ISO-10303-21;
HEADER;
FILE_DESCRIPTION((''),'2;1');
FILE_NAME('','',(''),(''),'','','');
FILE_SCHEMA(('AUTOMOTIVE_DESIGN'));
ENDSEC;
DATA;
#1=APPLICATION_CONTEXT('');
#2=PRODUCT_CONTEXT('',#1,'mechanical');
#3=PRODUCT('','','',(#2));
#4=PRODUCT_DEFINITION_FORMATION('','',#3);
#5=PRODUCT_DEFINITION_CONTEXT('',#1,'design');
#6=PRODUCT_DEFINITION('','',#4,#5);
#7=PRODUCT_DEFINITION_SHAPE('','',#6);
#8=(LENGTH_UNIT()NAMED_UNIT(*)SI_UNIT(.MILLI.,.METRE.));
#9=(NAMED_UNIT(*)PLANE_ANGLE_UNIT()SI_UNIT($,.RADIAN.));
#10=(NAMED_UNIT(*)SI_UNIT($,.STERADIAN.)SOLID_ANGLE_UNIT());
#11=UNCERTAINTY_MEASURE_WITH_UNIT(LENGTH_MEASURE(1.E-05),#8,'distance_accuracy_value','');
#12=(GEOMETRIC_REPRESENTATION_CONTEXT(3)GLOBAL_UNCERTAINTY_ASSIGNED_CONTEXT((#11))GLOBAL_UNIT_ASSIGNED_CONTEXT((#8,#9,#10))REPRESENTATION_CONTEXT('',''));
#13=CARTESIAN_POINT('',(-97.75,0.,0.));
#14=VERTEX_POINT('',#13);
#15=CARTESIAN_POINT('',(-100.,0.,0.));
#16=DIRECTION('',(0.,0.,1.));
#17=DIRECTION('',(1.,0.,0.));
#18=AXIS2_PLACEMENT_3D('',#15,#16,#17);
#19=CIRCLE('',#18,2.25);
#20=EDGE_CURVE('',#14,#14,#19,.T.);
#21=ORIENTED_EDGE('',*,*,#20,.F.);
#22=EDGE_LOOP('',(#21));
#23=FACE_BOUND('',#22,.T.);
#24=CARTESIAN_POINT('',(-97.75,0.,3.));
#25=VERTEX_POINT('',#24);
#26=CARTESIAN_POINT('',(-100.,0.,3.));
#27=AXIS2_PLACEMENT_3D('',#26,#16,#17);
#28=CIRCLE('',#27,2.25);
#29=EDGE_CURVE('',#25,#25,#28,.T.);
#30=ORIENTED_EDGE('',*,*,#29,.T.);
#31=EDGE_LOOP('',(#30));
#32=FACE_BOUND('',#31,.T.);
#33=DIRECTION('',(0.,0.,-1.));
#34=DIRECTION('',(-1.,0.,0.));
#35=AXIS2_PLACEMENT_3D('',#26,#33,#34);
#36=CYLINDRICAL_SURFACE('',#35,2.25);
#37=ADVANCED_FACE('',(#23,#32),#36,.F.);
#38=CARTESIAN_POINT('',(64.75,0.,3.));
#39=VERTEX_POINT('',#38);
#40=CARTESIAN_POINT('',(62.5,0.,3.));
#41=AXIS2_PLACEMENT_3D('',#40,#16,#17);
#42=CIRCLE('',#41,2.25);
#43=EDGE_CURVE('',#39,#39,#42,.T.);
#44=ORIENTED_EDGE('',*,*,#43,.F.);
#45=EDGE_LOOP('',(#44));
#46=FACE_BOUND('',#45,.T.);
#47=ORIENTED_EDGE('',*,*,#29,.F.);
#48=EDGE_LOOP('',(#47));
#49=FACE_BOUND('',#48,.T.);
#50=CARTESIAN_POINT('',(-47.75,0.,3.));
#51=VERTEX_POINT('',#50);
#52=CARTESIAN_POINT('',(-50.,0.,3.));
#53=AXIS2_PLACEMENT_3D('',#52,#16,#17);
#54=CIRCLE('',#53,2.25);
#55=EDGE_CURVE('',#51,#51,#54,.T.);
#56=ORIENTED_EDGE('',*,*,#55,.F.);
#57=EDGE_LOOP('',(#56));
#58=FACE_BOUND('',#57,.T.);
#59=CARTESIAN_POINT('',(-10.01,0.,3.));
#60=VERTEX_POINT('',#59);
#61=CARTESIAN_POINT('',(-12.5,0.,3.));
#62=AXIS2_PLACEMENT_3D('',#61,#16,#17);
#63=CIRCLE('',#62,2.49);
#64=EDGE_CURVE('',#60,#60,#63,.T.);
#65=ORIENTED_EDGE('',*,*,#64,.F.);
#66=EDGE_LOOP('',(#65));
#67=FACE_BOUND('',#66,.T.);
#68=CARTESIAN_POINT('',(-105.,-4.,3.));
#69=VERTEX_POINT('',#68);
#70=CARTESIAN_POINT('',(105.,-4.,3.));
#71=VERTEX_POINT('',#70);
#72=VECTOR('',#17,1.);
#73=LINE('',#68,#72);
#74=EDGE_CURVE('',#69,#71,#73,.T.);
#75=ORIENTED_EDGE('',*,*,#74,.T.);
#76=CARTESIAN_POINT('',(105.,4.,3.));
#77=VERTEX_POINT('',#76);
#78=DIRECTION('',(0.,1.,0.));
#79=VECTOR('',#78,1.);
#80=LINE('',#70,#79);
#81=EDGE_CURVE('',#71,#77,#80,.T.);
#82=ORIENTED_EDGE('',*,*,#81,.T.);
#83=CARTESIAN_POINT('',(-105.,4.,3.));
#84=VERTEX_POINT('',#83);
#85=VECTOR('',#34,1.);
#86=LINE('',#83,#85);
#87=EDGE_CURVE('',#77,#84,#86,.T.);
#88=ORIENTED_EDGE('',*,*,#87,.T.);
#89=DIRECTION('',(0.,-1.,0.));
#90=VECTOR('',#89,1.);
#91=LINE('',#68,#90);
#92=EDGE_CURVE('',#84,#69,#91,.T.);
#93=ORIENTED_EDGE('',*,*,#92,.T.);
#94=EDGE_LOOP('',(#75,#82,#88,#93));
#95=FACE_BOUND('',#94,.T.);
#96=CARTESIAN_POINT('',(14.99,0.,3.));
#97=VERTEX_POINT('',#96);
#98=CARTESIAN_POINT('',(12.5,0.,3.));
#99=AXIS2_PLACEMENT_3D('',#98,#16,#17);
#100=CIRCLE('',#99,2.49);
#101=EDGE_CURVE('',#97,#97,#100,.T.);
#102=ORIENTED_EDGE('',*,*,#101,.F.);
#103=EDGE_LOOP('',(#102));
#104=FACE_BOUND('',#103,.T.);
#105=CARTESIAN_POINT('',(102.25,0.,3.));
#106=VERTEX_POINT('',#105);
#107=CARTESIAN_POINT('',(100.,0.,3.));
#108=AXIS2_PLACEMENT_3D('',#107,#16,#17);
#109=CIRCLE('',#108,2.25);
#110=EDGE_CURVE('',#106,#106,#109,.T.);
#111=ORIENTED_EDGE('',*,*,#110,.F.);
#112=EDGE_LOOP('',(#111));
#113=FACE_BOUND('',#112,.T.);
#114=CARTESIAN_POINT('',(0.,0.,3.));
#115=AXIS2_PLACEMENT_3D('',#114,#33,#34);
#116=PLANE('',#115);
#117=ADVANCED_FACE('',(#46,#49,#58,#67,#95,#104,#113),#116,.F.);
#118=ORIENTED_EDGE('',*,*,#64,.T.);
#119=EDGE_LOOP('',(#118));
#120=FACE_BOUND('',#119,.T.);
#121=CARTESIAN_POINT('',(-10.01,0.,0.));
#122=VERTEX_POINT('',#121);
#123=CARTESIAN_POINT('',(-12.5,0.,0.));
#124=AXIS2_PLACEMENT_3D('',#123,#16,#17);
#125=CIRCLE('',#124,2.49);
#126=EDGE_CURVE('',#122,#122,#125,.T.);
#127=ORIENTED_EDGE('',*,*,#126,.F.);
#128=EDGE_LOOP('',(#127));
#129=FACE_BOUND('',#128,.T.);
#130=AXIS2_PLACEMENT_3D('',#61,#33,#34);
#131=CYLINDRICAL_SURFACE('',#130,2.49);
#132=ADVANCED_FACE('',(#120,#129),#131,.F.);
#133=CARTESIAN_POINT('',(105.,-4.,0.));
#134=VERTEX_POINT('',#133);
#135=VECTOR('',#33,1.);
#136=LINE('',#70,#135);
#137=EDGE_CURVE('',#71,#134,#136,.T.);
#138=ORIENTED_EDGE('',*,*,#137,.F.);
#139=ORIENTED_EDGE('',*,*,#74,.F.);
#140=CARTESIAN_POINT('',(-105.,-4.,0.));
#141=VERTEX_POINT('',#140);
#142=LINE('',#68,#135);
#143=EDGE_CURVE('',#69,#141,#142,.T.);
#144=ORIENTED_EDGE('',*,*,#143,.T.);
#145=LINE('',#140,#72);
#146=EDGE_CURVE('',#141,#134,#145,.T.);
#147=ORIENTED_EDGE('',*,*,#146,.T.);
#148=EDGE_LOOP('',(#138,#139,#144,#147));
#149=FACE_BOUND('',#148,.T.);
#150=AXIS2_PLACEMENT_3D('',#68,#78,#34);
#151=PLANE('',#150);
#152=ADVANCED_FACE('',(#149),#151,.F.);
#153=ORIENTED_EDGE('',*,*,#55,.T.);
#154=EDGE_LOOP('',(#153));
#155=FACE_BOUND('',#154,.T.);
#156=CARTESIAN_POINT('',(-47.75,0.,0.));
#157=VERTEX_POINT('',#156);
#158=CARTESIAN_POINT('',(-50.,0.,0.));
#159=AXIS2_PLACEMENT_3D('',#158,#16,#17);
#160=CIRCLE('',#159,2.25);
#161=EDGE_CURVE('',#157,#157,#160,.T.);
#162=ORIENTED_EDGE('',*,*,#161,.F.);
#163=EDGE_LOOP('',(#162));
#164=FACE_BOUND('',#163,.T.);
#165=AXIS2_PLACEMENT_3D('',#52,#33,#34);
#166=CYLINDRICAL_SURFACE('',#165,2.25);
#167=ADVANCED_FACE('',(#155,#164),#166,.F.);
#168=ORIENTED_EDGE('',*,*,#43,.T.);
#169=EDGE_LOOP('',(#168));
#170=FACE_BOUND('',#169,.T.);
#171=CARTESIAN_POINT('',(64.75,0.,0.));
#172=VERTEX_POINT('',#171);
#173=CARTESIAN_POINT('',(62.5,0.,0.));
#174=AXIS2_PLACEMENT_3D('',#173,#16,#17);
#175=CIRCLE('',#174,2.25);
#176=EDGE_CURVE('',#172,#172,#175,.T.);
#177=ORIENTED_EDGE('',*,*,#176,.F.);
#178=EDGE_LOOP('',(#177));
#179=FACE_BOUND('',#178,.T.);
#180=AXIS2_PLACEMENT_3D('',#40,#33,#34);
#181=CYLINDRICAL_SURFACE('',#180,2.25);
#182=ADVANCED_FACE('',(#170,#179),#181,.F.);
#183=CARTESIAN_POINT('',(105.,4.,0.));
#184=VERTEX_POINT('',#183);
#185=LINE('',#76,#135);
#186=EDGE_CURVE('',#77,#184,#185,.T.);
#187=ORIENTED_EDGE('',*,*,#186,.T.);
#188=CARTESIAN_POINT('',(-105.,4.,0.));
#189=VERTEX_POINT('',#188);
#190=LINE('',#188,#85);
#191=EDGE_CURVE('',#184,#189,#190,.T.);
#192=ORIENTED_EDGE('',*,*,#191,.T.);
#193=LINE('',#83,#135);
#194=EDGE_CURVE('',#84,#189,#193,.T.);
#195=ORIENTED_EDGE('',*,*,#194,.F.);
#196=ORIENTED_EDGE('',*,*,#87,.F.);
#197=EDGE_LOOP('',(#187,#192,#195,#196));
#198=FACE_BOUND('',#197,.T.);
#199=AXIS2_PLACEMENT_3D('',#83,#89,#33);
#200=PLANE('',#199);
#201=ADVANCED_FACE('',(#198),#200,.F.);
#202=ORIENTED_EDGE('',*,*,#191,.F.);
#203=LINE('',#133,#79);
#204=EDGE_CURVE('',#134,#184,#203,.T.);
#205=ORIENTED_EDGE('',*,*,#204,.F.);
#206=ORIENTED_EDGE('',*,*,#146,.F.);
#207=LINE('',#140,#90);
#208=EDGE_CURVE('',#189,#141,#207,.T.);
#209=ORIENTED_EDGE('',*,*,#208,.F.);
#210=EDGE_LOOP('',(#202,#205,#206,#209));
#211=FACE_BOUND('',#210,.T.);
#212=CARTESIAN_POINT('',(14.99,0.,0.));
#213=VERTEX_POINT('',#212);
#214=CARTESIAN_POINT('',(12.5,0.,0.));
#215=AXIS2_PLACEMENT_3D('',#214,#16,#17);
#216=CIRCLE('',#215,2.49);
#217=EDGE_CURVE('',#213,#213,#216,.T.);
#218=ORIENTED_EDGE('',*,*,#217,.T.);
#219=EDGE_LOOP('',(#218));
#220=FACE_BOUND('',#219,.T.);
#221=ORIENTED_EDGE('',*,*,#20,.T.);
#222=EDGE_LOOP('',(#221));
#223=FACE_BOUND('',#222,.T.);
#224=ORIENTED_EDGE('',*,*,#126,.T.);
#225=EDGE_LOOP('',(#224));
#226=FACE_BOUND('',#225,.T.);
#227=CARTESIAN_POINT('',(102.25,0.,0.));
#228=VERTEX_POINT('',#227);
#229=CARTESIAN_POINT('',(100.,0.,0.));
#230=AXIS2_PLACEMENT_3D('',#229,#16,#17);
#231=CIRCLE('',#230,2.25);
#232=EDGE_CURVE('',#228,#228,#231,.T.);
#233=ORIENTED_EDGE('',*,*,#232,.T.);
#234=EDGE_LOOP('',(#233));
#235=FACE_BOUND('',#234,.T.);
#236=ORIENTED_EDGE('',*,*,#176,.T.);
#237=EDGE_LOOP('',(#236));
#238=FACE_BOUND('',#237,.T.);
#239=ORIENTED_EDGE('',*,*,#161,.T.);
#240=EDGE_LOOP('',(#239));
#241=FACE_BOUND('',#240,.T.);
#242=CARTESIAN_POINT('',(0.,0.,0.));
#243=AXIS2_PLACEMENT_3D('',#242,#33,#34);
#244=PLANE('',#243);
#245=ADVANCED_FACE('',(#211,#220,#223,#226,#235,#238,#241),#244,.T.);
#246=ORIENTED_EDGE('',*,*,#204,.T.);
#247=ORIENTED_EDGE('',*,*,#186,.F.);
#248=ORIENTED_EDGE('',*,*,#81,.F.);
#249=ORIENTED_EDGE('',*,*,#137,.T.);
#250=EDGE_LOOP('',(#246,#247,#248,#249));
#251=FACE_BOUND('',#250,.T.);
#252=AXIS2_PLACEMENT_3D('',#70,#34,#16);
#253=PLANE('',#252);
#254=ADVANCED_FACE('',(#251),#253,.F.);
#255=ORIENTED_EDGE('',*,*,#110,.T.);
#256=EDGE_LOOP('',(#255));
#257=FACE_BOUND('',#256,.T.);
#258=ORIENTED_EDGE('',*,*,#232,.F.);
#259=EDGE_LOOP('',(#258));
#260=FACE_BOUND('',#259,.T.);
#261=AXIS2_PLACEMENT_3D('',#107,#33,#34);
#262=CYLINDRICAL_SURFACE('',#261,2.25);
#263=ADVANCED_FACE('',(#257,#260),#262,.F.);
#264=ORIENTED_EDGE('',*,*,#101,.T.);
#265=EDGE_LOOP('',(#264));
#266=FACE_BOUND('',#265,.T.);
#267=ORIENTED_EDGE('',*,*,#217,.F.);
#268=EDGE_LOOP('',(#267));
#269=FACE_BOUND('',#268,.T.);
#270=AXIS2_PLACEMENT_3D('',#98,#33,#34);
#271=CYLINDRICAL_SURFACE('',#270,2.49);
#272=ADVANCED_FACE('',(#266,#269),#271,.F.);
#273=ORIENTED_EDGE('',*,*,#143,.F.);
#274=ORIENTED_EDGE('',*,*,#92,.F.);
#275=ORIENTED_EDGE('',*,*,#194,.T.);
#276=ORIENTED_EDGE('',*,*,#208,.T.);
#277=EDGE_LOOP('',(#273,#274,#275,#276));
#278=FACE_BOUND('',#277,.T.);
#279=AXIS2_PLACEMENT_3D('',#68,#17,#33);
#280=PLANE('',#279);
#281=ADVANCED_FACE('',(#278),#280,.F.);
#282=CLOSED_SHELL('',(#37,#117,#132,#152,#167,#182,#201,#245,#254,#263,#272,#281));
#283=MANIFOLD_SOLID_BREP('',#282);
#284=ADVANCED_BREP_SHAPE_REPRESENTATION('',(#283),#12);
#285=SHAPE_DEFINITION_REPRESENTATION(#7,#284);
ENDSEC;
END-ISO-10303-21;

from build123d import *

# Parameters (mm, degrees)
SKETCH1_W           = 210
SKETCH1_H           = 8
SKETCH1_R           = 2.49
SKETCH1_R_2         = 2.25
BOSS_EXTRUDE1_DEPTH = 3


with BuildPart() as part:
    # Sketch1 → Boss-Extrude1 (new body)
    with BuildSketch(Plane.XY):
        Rectangle(SKETCH1_W, SKETCH1_H)
        with Locations((-12.5, 0)):
            Circle(SKETCH1_R, mode=Mode.SUBTRACT)
        with Locations((12.5, 0)):
            Circle(SKETCH1_R, mode=Mode.SUBTRACT)
        with Locations((-100, 0)):
            Circle(SKETCH1_R_2, mode=Mode.SUBTRACT)
        with Locations((100, 0)):
            Circle(SKETCH1_R_2, mode=Mode.SUBTRACT)
        with Locations((-50, 0)):
            Circle(SKETCH1_R_2, mode=Mode.SUBTRACT)
        with Locations((62.5, 0)):
            Circle(SKETCH1_R_2, mode=Mode.SUBTRACT)
    extrude(amount=BOSS_EXTRUDE1_DEPTH)


solid = part.part
